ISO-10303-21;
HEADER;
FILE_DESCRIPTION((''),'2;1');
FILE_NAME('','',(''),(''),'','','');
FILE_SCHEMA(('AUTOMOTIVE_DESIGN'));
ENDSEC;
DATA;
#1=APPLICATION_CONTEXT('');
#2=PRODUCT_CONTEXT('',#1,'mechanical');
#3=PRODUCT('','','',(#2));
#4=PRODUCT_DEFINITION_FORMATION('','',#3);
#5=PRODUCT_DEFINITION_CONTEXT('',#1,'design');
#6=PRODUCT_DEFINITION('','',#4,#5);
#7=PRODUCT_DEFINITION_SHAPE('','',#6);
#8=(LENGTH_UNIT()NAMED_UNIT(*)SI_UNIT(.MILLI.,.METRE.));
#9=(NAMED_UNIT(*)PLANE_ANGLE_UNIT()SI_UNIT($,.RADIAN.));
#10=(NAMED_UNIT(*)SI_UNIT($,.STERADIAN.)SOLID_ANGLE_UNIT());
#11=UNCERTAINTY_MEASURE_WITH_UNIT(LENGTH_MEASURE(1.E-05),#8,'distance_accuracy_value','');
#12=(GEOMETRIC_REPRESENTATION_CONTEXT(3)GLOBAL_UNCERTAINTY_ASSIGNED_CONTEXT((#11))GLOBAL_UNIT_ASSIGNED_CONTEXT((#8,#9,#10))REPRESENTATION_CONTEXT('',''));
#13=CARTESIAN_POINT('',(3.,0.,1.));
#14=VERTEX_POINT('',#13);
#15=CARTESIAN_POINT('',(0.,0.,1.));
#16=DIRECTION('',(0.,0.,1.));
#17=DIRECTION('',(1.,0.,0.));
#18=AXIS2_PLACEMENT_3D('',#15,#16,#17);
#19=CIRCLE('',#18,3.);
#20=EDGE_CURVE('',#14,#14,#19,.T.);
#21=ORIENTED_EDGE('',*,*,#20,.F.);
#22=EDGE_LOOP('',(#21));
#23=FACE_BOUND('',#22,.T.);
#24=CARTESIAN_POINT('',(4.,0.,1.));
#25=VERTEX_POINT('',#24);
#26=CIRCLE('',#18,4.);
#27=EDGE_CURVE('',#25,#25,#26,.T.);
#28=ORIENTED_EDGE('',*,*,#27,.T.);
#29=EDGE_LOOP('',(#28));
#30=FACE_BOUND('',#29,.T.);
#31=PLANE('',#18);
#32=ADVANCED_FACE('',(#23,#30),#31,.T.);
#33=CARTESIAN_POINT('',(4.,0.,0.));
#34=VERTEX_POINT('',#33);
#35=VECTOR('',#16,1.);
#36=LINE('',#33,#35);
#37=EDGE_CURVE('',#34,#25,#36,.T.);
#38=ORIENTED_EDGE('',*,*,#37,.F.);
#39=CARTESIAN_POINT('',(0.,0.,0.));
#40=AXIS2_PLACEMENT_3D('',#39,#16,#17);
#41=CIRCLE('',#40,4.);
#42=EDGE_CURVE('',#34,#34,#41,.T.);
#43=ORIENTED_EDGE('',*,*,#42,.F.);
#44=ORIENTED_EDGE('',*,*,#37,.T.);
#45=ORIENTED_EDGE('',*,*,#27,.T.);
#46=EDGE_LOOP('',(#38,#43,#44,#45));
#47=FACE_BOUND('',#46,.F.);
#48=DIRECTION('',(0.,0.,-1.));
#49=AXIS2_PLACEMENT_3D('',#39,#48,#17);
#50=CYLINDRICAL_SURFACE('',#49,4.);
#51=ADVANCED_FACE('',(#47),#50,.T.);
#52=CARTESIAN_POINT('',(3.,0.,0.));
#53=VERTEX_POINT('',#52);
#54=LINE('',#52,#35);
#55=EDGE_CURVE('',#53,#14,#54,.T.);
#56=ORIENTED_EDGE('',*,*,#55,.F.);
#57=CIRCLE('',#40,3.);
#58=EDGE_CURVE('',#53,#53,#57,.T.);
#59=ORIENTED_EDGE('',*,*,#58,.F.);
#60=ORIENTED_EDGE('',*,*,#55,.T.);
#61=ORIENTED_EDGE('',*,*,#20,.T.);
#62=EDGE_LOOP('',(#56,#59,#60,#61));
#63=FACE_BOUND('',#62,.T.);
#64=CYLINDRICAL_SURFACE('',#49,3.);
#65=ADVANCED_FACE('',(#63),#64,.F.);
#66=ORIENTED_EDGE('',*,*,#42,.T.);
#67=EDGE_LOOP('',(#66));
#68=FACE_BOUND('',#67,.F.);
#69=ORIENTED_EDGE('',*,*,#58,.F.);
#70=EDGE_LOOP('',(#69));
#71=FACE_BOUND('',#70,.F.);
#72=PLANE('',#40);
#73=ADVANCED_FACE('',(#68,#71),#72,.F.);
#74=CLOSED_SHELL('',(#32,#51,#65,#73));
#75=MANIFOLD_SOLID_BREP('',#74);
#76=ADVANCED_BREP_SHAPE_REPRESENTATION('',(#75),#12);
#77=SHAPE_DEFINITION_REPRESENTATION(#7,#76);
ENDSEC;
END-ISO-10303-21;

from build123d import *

# Parameters (mm, degrees)
SKETCH_R   = 4
SKETCH_R_2 = 3
PAD_DEPTH  = 1


with BuildPart() as part:
    # Sketch → Pad (new body)
    with BuildSketch(Plane.XY):
        Circle(SKETCH_R)
        Circle(SKETCH_R_2, mode=Mode.SUBTRACT)
    extrude(amount=PAD_DEPTH)


solid = part.part
